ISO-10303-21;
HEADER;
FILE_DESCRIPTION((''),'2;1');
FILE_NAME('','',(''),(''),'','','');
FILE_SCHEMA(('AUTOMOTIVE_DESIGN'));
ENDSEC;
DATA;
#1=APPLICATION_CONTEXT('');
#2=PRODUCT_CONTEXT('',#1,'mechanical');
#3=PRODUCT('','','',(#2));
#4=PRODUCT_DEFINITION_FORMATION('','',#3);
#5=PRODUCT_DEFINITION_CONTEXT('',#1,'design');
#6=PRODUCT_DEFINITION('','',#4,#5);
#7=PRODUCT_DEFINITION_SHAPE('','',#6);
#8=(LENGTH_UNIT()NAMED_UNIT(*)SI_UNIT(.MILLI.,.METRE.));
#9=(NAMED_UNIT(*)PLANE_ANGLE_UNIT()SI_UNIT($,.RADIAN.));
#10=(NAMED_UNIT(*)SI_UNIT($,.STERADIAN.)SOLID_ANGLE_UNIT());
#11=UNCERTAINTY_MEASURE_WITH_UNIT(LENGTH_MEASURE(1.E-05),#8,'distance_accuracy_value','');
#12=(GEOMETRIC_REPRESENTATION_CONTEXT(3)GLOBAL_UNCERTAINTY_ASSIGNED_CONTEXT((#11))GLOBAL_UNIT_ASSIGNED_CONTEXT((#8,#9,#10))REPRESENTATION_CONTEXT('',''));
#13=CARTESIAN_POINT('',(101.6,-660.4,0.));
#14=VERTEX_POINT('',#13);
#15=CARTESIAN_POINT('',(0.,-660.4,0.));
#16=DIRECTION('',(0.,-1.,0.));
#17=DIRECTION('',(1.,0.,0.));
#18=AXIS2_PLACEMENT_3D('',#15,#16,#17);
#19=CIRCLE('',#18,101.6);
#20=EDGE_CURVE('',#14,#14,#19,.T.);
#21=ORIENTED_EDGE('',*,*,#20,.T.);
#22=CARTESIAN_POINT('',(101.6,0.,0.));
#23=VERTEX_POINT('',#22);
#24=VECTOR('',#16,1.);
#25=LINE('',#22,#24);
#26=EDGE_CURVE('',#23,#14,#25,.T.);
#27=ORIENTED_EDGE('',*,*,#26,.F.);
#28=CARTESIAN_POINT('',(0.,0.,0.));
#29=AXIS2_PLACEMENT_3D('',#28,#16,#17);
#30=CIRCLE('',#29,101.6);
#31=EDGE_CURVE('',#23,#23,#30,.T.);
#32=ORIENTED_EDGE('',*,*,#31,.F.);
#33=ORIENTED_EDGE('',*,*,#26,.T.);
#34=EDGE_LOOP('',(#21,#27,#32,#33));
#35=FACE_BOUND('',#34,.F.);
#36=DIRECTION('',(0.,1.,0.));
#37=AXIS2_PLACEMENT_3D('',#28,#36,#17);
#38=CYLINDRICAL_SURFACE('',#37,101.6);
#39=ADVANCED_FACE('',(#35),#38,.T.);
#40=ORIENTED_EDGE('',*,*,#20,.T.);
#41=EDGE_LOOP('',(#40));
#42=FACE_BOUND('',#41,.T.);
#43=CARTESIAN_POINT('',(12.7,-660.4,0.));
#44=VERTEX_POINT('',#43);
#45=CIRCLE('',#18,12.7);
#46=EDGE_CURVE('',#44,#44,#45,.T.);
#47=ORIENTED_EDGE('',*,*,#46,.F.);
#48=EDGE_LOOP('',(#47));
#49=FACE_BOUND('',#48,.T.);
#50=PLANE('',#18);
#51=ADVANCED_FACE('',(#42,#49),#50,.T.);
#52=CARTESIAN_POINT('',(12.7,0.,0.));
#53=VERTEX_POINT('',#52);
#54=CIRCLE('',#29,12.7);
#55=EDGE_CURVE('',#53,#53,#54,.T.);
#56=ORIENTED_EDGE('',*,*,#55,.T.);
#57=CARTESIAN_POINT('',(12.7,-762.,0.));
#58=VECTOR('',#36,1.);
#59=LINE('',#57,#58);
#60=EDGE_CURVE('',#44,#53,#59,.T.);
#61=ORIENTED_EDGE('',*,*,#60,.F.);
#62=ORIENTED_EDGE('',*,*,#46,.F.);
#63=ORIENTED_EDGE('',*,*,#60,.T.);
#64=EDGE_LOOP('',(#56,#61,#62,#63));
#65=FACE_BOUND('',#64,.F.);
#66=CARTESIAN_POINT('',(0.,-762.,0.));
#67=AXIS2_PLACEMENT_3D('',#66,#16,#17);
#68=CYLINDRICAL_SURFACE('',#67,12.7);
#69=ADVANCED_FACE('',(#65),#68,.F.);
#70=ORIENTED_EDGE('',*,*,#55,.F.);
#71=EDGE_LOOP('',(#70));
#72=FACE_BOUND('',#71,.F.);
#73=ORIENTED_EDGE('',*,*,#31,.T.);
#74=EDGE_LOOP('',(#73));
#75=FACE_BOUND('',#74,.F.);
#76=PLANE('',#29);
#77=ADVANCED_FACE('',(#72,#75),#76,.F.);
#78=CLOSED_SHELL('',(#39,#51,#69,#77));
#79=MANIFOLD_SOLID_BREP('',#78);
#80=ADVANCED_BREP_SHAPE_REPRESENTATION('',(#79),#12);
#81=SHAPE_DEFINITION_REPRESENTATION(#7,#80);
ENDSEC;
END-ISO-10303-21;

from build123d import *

# Parameters (mm, degrees)
F0_R     = 101.6
F1_DEPTH = 762
F2_R     = 12.7
F3_DEPTH = 762.001
F4_DEPTH = 101.6


with BuildPart() as f1:
    # F0 (on Front) → F1 (new body)
    with BuildSketch(Plane.XZ):
        Circle(F0_R)
    extrude(amount=F1_DEPTH)

    # F2 (on face) → F3 (cut, through all)
    with BuildSketch(Plane.XZ.offset(762)):
        Circle(F2_R)
    extrude(amount=-F3_DEPTH, mode=Mode.SUBTRACT)

    # F4 (cut): a face of the model
    f4_faces = [f1.faces().sort_by_distance(p)[0] for p in [
        (-98.7263180413, -762, 0),
    ]]
    extrude(f4_faces, amount=-F4_DEPTH, mode=Mode.SUBTRACT)


solid = f1.part
